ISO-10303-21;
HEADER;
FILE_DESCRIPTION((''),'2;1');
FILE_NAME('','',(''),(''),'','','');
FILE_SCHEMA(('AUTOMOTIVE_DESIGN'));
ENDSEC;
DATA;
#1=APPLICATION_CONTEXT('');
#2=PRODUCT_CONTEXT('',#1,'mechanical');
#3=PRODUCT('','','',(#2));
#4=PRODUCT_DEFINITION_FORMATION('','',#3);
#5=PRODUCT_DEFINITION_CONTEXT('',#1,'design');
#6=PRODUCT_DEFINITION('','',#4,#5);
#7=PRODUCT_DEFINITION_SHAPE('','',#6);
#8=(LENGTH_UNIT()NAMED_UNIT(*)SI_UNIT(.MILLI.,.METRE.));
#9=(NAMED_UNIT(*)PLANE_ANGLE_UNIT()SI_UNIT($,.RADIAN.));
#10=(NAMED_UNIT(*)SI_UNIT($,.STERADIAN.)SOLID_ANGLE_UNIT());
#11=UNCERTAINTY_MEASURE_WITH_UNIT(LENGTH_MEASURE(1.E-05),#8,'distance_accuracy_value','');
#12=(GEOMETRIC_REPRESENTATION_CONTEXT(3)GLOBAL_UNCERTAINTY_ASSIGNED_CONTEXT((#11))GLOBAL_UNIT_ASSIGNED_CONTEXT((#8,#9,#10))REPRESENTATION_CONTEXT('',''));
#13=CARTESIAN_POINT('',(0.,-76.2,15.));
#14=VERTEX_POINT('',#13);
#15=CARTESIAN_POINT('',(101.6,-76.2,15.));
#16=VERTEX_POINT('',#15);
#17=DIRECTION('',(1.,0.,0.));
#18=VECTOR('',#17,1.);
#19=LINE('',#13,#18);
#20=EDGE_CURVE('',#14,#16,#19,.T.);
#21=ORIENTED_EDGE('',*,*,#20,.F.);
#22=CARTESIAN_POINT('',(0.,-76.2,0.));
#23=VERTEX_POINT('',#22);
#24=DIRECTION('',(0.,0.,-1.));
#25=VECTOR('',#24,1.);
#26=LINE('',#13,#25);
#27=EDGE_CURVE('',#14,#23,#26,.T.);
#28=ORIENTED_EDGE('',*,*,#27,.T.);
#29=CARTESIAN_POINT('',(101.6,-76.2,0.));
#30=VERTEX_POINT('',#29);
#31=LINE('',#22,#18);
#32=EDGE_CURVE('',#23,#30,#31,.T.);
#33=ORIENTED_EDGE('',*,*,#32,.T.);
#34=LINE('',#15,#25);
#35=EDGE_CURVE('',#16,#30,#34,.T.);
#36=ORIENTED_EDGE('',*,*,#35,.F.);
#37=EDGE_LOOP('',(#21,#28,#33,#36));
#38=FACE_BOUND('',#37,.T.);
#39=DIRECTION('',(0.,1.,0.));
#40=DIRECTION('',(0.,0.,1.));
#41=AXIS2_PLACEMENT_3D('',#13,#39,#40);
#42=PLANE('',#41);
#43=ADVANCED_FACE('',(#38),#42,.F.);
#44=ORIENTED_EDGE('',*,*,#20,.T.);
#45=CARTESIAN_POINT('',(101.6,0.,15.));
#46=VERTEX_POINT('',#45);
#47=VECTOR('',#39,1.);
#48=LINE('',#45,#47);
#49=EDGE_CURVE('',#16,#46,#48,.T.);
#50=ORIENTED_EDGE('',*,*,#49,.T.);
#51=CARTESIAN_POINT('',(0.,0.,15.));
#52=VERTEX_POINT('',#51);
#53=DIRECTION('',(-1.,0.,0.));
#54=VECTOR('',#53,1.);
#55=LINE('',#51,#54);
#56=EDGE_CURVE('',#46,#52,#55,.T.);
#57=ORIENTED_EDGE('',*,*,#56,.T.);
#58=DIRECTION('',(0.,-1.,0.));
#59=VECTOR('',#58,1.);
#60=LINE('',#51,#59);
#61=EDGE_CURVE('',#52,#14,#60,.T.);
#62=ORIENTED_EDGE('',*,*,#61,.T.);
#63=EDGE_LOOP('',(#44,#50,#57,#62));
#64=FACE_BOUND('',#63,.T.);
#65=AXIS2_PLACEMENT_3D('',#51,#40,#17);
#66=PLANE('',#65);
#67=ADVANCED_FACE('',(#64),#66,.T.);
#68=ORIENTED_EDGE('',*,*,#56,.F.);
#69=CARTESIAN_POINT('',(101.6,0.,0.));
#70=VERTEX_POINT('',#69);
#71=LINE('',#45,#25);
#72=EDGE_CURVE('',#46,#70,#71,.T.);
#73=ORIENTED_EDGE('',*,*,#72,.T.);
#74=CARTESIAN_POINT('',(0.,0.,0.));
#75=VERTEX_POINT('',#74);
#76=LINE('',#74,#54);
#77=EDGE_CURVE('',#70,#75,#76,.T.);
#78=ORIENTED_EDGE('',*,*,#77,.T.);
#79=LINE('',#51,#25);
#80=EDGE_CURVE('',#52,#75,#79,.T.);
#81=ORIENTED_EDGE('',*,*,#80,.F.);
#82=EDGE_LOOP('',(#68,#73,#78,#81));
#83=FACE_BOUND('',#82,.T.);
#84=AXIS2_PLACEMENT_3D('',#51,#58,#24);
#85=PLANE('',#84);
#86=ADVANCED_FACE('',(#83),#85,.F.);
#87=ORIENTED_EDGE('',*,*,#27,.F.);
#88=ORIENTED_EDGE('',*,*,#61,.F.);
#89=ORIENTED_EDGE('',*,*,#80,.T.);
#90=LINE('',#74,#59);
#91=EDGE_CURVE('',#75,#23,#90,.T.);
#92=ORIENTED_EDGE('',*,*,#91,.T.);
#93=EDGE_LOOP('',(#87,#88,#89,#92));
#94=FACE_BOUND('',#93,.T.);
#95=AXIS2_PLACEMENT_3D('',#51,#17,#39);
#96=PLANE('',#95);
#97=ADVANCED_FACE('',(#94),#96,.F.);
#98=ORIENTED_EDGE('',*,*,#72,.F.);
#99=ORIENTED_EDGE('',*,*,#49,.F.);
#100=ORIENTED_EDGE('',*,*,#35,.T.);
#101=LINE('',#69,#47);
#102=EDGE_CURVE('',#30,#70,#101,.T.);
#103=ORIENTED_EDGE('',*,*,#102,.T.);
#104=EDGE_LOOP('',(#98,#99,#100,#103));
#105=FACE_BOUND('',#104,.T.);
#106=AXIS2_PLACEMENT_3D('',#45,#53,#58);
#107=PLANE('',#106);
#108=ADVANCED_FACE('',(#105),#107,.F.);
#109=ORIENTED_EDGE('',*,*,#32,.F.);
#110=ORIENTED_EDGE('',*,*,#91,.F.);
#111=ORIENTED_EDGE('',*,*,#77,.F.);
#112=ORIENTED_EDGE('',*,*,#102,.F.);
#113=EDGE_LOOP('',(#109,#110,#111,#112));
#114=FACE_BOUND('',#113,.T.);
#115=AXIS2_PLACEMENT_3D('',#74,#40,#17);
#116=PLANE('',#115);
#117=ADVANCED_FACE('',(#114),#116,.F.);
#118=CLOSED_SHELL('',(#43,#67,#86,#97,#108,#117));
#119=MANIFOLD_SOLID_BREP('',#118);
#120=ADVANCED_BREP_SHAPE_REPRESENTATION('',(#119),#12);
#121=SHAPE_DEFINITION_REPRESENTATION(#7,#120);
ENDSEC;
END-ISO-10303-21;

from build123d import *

# Parameters (mm, degrees)
SKETCH_1_W      = 101.6
SKETCH_1_H      = 76.2
EXTRUDE_1_DEPTH = 15


with BuildPart() as part:
    # 草图1 → 凸台-拉伸1 (new body)
    with BuildSketch(Plane.XY):
        with Locations((50.8, -38.1)):
            Rectangle(SKETCH_1_W, SKETCH_1_H)
    extrude(amount=EXTRUDE_1_DEPTH)


solid = part.part
